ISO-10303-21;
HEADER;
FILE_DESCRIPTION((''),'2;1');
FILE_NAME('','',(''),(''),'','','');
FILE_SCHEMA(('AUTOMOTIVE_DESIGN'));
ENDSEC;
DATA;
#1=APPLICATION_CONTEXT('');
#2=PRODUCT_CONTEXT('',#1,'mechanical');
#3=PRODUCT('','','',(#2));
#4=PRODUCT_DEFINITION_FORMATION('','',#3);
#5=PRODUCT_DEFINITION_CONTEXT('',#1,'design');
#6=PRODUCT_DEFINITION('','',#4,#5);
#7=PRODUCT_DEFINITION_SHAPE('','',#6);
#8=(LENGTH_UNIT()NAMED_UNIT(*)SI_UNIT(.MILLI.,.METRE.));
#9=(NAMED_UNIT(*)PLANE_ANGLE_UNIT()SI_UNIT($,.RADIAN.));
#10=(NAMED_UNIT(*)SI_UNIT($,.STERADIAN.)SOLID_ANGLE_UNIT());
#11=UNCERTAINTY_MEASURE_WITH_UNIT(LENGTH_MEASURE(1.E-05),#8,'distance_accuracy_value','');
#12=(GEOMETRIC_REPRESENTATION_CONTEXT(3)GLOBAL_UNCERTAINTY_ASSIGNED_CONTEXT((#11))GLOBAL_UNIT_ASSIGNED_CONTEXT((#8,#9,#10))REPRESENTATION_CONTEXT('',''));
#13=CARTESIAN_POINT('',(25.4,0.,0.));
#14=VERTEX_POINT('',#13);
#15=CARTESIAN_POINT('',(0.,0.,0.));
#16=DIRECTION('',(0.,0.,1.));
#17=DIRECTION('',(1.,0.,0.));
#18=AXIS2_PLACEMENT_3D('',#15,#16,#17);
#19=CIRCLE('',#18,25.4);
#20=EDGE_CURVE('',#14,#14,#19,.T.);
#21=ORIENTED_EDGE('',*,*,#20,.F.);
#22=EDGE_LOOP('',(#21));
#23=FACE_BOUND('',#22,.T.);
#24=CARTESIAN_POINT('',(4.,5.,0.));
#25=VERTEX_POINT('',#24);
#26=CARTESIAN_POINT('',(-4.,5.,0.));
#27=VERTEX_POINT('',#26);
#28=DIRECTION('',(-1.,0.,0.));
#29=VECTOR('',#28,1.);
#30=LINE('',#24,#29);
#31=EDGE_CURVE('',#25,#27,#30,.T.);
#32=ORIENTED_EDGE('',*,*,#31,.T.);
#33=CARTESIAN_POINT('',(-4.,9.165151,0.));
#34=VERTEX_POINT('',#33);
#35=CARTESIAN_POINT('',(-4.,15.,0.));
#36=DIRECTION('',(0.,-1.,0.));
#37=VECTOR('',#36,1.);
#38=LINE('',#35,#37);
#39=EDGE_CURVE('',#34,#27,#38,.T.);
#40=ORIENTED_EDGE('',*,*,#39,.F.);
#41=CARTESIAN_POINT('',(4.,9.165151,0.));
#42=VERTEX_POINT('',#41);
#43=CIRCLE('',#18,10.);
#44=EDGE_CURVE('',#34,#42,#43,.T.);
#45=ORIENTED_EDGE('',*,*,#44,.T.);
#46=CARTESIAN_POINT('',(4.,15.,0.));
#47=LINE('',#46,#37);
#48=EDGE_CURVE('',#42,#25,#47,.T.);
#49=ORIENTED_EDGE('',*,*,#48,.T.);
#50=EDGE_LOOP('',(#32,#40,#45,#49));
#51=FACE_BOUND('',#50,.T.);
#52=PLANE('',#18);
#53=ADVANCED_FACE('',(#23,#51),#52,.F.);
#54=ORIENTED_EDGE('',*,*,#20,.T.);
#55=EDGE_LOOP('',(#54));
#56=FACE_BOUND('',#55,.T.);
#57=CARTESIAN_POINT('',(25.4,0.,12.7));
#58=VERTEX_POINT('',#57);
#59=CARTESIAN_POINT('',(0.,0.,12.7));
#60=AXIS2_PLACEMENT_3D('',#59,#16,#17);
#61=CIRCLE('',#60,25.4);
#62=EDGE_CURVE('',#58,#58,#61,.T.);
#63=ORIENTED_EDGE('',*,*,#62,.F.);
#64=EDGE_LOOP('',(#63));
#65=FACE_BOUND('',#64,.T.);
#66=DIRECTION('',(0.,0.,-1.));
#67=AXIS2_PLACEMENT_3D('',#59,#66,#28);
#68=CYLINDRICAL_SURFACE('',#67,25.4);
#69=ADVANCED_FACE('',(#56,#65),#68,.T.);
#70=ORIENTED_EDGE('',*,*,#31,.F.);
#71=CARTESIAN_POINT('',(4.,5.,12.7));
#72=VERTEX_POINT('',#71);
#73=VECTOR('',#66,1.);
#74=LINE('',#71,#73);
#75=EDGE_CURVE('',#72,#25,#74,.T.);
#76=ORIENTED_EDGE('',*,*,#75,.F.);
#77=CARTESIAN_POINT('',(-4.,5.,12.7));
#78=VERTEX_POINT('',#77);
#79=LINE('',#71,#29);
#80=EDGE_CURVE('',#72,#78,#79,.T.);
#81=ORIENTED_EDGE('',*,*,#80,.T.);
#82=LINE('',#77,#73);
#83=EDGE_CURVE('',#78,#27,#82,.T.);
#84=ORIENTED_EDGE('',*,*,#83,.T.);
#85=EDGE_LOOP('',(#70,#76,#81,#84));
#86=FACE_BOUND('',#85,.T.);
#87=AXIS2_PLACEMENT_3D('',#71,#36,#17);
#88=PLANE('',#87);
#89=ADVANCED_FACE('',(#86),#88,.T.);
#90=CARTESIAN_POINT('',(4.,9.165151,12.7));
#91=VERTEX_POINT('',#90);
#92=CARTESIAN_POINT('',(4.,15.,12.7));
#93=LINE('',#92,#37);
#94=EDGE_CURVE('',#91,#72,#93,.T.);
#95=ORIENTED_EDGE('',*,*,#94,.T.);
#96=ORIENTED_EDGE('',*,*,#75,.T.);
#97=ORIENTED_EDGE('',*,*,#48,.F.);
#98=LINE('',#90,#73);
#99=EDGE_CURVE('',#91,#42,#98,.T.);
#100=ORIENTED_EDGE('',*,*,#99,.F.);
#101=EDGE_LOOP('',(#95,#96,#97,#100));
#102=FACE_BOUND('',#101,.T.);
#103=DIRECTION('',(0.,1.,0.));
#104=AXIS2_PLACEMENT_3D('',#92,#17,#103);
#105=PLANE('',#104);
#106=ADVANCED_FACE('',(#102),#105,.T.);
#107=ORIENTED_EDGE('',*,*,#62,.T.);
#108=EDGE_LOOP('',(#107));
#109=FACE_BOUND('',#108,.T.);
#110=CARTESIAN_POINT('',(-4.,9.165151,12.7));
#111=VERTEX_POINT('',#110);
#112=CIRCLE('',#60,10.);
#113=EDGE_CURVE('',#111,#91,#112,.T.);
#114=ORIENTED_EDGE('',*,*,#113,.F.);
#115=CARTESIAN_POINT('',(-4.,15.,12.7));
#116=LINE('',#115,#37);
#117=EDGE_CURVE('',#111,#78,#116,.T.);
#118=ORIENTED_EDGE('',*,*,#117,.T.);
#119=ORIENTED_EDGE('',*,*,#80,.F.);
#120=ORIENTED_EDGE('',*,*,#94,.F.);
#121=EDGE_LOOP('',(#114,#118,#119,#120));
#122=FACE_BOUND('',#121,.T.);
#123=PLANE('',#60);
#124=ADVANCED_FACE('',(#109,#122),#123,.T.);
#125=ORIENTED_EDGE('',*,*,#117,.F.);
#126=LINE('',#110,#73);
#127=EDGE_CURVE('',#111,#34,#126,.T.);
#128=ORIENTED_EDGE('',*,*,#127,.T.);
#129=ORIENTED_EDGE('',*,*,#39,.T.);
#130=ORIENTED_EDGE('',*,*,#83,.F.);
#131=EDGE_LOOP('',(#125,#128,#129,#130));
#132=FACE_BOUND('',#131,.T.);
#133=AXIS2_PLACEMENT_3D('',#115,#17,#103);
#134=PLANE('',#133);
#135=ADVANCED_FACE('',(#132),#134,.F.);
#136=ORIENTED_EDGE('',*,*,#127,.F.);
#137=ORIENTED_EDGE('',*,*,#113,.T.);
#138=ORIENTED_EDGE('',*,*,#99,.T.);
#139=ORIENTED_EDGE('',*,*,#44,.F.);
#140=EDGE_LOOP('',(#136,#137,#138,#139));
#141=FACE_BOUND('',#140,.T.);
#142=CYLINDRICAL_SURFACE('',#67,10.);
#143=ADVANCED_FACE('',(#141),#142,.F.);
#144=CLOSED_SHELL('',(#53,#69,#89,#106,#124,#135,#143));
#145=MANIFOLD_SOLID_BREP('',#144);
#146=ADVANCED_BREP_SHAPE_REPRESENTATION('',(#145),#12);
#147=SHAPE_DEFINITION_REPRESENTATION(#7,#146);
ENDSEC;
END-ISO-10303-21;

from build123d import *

# Parameters (mm, degrees)
SKETCH1_R           = 25.4
BOSS_EXTRUDE1_DEPTH = 12.7


with BuildPart() as part:
    # Sketch1 → Boss-Extrude1 (new body)
    with BuildSketch(Plane.XY):
        Circle(SKETCH1_R)
        with BuildLine():
            Line((-4, 9.16515139), (-4, 5))
            Line((-4, 5), (4, 5))
            Line((4, 5), (4, 9.16515139))
            ThreePointArc((4, 9.16515139), (0, -10), (-4, 9.16515139))
        make_face(mode=Mode.SUBTRACT)
    extrude(amount=BOSS_EXTRUDE1_DEPTH)


solid = part.part
